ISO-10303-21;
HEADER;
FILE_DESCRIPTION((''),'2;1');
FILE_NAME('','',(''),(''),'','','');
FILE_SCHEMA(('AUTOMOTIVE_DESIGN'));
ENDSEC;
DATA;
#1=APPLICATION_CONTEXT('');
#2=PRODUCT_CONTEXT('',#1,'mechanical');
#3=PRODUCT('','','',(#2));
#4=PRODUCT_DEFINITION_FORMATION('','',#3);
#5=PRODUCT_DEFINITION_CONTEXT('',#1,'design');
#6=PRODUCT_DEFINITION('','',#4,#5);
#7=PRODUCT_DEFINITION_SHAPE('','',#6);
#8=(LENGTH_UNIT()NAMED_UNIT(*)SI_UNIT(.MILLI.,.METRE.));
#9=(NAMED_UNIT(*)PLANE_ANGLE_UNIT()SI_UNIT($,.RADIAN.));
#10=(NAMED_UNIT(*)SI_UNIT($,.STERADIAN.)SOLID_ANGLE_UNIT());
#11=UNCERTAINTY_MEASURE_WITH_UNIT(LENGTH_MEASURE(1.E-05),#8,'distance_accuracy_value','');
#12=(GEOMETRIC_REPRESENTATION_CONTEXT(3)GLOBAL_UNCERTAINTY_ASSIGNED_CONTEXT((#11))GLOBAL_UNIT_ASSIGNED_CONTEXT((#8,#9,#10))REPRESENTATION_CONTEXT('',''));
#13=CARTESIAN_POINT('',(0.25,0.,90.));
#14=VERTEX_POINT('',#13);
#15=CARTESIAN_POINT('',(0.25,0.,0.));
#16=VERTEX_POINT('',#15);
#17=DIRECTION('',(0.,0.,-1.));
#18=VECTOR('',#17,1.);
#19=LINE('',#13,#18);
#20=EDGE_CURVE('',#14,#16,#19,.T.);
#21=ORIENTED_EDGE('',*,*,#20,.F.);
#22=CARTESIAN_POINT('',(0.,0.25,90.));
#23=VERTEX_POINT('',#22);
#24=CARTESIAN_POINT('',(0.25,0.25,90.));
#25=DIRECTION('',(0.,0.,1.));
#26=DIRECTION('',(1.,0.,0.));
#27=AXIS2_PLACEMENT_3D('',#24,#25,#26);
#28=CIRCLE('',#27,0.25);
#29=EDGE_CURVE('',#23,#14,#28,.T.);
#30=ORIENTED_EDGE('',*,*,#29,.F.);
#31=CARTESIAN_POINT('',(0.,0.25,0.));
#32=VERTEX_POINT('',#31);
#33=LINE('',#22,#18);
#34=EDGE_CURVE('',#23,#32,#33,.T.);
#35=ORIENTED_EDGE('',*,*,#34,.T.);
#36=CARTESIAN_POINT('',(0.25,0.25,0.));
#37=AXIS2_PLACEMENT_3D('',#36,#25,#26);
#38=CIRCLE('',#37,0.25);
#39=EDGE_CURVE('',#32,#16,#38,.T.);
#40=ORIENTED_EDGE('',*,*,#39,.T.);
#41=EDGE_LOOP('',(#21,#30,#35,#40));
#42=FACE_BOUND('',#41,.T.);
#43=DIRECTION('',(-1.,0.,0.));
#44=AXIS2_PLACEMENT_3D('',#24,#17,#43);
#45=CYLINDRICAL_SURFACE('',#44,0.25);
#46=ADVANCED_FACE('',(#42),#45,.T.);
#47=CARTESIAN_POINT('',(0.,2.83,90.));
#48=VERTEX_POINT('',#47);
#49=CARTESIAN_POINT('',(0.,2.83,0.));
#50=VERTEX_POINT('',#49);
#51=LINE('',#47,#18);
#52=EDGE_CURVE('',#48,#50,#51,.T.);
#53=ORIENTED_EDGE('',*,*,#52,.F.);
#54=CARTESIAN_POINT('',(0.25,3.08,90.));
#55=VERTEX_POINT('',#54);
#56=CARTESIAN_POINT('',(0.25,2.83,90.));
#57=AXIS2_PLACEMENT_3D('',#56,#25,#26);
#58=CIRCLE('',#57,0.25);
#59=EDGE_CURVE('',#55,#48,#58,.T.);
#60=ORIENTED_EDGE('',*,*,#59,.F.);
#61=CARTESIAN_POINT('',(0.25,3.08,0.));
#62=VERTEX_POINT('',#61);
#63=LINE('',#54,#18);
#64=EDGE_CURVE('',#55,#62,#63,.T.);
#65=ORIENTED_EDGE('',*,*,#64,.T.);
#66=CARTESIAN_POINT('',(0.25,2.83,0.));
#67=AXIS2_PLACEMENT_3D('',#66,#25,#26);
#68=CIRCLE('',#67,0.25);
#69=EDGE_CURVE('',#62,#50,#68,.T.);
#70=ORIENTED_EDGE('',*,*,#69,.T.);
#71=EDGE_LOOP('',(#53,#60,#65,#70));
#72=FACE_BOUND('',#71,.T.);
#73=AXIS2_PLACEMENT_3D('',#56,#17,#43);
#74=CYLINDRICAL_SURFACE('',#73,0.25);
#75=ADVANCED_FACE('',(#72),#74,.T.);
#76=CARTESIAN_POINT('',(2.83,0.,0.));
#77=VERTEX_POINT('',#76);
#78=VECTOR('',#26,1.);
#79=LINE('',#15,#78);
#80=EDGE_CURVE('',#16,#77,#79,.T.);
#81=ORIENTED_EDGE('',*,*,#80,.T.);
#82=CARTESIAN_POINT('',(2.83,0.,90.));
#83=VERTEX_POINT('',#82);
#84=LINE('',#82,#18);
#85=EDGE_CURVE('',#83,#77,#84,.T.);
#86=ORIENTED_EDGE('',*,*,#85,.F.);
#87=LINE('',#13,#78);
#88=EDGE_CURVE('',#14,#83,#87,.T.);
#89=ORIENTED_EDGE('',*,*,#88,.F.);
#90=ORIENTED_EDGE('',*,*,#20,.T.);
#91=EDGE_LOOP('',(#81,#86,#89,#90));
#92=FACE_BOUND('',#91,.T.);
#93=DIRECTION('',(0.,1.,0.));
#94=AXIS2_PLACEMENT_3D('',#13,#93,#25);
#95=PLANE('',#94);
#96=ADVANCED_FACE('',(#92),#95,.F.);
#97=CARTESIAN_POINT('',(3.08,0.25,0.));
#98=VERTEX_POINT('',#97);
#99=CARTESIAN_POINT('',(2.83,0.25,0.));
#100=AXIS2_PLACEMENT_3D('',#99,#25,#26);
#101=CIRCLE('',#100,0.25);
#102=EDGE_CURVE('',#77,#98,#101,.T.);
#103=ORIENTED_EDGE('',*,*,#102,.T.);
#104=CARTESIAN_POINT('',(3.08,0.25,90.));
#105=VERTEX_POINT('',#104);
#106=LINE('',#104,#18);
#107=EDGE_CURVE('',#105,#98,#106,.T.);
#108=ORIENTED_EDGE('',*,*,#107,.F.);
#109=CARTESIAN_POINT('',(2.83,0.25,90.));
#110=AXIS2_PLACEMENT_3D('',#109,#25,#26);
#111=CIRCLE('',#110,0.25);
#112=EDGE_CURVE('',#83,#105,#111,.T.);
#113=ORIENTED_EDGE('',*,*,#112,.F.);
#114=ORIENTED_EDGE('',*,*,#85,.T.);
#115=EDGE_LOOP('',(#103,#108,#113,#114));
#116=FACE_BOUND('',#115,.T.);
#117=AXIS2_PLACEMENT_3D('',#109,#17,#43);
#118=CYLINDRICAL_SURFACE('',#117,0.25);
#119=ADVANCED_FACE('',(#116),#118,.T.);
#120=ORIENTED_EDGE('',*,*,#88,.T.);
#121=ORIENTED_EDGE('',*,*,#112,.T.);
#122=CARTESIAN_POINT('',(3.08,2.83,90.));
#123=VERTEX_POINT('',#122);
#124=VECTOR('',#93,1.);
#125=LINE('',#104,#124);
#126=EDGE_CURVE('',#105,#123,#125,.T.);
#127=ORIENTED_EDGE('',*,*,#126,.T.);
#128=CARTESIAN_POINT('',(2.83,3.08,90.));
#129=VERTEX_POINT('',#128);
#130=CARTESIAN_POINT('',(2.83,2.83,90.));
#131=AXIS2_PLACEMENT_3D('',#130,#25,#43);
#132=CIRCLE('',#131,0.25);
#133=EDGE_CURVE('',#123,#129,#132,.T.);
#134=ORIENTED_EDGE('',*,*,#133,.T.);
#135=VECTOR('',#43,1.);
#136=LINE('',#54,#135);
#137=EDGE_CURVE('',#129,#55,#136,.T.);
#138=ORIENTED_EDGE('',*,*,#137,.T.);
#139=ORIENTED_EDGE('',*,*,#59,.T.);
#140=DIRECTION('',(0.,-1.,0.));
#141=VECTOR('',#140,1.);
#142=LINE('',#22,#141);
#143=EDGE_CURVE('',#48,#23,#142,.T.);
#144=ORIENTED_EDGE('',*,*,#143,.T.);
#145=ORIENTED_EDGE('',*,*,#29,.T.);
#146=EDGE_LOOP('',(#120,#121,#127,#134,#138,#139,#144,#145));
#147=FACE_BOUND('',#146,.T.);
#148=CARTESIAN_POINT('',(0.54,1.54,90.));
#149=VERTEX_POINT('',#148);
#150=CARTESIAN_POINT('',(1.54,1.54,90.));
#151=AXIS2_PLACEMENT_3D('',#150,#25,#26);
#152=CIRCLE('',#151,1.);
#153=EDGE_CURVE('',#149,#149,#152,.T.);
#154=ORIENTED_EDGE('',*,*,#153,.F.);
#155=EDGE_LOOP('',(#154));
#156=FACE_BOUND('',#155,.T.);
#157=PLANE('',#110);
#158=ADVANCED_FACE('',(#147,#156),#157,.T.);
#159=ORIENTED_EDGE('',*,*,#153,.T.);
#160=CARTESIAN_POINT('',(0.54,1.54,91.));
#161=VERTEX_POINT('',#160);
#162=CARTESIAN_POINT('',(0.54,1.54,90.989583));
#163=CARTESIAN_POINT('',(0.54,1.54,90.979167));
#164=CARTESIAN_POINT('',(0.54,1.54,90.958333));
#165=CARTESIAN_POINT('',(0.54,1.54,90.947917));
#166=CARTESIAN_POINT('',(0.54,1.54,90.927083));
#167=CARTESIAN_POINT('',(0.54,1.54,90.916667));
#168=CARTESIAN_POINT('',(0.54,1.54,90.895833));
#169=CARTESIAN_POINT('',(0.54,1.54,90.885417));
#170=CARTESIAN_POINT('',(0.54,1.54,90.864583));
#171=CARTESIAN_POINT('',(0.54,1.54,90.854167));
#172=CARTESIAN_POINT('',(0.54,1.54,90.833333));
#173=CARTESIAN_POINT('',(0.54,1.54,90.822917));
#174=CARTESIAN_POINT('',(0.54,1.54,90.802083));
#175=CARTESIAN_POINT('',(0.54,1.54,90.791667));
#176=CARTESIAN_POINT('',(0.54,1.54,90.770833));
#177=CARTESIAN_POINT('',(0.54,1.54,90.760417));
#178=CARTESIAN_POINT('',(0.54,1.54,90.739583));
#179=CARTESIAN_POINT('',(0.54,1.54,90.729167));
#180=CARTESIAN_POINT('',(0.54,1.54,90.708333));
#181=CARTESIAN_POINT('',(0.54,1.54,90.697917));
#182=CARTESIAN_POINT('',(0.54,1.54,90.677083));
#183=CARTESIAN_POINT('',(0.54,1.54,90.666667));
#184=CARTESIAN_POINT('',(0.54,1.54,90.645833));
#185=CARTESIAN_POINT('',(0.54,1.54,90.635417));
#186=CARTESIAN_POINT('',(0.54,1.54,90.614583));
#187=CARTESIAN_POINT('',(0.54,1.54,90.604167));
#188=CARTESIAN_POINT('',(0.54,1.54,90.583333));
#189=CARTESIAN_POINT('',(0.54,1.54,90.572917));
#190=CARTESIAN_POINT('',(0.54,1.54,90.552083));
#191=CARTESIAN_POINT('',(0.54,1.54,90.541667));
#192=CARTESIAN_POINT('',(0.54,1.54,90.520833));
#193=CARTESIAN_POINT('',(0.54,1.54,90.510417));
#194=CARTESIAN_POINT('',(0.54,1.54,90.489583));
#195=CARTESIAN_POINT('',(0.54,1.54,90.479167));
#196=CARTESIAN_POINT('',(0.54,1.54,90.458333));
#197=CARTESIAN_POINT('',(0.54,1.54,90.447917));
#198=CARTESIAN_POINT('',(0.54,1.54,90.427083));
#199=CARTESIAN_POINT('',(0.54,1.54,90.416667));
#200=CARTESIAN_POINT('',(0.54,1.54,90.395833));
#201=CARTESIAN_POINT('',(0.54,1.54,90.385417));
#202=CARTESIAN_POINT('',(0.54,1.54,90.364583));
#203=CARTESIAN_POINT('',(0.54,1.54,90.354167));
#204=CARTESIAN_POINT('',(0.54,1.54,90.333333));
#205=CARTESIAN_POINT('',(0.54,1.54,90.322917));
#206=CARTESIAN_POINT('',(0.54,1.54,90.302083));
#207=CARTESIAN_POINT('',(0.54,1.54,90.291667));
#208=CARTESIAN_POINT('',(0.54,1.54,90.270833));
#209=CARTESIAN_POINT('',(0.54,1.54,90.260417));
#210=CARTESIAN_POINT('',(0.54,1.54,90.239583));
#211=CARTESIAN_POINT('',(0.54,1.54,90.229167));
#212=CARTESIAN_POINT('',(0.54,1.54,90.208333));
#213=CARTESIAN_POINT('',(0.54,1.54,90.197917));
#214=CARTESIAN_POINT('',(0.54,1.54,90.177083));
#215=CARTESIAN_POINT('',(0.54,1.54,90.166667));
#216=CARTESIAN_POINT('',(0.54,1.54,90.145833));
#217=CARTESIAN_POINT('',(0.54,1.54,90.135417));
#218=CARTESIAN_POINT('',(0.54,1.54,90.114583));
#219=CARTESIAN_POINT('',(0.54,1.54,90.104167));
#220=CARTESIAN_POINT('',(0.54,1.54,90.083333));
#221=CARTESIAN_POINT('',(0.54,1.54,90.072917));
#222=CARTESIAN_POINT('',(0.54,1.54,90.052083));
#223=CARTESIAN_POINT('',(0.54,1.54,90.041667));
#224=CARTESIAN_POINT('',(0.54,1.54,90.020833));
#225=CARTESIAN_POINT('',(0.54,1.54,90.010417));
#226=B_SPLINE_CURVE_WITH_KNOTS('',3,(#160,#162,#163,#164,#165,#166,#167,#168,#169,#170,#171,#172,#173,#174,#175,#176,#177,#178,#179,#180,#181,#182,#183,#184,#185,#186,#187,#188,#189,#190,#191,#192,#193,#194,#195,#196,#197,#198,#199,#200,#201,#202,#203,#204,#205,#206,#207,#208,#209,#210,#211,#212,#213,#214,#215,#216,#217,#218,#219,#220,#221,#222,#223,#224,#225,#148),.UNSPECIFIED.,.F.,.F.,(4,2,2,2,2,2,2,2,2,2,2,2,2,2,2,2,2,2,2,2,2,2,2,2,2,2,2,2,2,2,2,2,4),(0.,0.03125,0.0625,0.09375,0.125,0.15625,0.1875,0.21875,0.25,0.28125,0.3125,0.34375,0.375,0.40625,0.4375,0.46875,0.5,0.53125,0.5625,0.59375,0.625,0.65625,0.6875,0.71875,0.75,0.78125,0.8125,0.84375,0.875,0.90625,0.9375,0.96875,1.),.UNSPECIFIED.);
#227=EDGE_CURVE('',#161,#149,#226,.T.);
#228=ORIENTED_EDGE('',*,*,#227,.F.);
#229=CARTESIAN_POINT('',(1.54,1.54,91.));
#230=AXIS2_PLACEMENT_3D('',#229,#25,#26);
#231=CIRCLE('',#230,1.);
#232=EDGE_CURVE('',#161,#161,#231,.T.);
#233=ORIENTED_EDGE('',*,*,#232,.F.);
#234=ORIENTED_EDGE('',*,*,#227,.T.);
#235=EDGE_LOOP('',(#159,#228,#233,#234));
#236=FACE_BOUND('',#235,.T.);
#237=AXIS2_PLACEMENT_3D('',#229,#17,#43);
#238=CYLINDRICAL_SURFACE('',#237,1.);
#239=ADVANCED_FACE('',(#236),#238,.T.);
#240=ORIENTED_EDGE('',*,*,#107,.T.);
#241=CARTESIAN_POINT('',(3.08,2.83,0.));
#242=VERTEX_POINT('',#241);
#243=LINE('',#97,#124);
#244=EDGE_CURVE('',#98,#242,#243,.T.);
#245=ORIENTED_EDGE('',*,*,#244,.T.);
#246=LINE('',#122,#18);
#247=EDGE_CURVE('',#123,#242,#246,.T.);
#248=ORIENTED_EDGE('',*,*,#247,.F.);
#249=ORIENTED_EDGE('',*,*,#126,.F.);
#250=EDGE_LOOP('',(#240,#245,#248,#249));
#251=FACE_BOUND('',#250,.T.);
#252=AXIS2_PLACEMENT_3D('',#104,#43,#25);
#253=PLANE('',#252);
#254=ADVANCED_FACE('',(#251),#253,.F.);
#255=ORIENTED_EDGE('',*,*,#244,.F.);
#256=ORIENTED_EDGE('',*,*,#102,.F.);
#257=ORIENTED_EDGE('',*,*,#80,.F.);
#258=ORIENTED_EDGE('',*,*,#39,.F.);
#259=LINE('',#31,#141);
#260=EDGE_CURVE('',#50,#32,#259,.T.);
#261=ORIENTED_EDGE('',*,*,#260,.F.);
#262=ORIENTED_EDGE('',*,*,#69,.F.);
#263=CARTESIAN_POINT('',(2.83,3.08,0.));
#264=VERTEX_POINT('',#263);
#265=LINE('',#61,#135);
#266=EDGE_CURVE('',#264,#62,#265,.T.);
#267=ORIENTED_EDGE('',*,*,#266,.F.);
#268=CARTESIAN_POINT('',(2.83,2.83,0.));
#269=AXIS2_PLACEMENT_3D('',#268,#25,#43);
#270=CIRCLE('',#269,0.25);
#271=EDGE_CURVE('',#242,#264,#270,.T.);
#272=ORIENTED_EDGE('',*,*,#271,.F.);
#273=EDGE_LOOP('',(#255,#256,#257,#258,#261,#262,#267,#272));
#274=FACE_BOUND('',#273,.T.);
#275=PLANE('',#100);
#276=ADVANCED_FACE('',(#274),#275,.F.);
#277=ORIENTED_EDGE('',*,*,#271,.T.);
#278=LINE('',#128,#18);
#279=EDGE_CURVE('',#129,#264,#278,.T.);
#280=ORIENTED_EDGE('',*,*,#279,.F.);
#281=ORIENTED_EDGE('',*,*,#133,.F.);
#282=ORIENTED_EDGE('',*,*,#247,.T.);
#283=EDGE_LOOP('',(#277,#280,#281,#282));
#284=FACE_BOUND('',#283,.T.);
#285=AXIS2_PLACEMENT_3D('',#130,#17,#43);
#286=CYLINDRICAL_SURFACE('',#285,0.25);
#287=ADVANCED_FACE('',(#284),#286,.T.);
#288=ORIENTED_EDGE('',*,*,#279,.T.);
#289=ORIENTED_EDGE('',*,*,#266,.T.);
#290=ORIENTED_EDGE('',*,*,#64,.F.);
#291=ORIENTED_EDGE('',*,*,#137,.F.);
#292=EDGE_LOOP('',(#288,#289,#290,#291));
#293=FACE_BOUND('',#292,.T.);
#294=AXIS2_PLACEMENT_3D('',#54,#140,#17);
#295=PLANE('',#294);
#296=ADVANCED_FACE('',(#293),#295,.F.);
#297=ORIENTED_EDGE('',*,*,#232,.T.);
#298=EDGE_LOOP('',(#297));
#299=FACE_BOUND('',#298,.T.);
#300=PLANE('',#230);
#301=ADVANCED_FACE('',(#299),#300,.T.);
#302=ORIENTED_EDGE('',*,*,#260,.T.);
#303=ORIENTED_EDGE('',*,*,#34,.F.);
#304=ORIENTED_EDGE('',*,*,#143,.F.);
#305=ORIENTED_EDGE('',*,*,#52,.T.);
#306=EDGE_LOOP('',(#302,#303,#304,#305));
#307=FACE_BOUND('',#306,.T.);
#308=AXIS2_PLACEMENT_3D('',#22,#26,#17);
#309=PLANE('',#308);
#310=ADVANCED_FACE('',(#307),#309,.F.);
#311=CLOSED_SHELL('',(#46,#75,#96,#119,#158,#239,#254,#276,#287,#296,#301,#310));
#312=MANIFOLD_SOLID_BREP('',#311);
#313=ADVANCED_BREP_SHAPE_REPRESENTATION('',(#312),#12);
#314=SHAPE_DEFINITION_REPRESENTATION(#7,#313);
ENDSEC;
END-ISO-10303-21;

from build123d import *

# Parameters (mm, degrees)
BOSS_EXTRUDE1_DEPTH = 90
SKETCH3_R           = 1
BOSS_EXTRUDE2_DEPTH = 1


with BuildPart() as part:
    # Sketch2 → Boss-Extrude1 (new body)
    with BuildSketch(Plane.XY):
        with BuildLine():
            Line((0.25, 0), (2.83, 0))
            ThreePointArc((2.83, 0), (3.006776695, 0.073223305), (3.08, 0.25))
            Line((3.08, 0.25), (3.08, 2.83))
            ThreePointArc((3.08, 2.83), (3.006776695, 3.006776695), (2.83, 3.08))
            Line((2.83, 3.08), (0.25, 3.08))
            ThreePointArc((0.25, 3.08), (0.073223305, 3.006776695), (0, 2.83))
            Line((0, 2.83), (0, 0.25))
            ThreePointArc((0, 0.25), (0.073223305, 0.073223305), (0.25, 0))
        make_face()
    extrude(amount=BOSS_EXTRUDE1_DEPTH)

    # Sketch3 → Boss-Extrude2 (add)
    with BuildSketch(Plane.XY.offset(90)):
        with Locations(Location((1.54, 1.54, 0), (0, 0, 180))):
            Circle(SKETCH3_R)
    extrude(amount=BOSS_EXTRUDE2_DEPTH)


solid = part.part
